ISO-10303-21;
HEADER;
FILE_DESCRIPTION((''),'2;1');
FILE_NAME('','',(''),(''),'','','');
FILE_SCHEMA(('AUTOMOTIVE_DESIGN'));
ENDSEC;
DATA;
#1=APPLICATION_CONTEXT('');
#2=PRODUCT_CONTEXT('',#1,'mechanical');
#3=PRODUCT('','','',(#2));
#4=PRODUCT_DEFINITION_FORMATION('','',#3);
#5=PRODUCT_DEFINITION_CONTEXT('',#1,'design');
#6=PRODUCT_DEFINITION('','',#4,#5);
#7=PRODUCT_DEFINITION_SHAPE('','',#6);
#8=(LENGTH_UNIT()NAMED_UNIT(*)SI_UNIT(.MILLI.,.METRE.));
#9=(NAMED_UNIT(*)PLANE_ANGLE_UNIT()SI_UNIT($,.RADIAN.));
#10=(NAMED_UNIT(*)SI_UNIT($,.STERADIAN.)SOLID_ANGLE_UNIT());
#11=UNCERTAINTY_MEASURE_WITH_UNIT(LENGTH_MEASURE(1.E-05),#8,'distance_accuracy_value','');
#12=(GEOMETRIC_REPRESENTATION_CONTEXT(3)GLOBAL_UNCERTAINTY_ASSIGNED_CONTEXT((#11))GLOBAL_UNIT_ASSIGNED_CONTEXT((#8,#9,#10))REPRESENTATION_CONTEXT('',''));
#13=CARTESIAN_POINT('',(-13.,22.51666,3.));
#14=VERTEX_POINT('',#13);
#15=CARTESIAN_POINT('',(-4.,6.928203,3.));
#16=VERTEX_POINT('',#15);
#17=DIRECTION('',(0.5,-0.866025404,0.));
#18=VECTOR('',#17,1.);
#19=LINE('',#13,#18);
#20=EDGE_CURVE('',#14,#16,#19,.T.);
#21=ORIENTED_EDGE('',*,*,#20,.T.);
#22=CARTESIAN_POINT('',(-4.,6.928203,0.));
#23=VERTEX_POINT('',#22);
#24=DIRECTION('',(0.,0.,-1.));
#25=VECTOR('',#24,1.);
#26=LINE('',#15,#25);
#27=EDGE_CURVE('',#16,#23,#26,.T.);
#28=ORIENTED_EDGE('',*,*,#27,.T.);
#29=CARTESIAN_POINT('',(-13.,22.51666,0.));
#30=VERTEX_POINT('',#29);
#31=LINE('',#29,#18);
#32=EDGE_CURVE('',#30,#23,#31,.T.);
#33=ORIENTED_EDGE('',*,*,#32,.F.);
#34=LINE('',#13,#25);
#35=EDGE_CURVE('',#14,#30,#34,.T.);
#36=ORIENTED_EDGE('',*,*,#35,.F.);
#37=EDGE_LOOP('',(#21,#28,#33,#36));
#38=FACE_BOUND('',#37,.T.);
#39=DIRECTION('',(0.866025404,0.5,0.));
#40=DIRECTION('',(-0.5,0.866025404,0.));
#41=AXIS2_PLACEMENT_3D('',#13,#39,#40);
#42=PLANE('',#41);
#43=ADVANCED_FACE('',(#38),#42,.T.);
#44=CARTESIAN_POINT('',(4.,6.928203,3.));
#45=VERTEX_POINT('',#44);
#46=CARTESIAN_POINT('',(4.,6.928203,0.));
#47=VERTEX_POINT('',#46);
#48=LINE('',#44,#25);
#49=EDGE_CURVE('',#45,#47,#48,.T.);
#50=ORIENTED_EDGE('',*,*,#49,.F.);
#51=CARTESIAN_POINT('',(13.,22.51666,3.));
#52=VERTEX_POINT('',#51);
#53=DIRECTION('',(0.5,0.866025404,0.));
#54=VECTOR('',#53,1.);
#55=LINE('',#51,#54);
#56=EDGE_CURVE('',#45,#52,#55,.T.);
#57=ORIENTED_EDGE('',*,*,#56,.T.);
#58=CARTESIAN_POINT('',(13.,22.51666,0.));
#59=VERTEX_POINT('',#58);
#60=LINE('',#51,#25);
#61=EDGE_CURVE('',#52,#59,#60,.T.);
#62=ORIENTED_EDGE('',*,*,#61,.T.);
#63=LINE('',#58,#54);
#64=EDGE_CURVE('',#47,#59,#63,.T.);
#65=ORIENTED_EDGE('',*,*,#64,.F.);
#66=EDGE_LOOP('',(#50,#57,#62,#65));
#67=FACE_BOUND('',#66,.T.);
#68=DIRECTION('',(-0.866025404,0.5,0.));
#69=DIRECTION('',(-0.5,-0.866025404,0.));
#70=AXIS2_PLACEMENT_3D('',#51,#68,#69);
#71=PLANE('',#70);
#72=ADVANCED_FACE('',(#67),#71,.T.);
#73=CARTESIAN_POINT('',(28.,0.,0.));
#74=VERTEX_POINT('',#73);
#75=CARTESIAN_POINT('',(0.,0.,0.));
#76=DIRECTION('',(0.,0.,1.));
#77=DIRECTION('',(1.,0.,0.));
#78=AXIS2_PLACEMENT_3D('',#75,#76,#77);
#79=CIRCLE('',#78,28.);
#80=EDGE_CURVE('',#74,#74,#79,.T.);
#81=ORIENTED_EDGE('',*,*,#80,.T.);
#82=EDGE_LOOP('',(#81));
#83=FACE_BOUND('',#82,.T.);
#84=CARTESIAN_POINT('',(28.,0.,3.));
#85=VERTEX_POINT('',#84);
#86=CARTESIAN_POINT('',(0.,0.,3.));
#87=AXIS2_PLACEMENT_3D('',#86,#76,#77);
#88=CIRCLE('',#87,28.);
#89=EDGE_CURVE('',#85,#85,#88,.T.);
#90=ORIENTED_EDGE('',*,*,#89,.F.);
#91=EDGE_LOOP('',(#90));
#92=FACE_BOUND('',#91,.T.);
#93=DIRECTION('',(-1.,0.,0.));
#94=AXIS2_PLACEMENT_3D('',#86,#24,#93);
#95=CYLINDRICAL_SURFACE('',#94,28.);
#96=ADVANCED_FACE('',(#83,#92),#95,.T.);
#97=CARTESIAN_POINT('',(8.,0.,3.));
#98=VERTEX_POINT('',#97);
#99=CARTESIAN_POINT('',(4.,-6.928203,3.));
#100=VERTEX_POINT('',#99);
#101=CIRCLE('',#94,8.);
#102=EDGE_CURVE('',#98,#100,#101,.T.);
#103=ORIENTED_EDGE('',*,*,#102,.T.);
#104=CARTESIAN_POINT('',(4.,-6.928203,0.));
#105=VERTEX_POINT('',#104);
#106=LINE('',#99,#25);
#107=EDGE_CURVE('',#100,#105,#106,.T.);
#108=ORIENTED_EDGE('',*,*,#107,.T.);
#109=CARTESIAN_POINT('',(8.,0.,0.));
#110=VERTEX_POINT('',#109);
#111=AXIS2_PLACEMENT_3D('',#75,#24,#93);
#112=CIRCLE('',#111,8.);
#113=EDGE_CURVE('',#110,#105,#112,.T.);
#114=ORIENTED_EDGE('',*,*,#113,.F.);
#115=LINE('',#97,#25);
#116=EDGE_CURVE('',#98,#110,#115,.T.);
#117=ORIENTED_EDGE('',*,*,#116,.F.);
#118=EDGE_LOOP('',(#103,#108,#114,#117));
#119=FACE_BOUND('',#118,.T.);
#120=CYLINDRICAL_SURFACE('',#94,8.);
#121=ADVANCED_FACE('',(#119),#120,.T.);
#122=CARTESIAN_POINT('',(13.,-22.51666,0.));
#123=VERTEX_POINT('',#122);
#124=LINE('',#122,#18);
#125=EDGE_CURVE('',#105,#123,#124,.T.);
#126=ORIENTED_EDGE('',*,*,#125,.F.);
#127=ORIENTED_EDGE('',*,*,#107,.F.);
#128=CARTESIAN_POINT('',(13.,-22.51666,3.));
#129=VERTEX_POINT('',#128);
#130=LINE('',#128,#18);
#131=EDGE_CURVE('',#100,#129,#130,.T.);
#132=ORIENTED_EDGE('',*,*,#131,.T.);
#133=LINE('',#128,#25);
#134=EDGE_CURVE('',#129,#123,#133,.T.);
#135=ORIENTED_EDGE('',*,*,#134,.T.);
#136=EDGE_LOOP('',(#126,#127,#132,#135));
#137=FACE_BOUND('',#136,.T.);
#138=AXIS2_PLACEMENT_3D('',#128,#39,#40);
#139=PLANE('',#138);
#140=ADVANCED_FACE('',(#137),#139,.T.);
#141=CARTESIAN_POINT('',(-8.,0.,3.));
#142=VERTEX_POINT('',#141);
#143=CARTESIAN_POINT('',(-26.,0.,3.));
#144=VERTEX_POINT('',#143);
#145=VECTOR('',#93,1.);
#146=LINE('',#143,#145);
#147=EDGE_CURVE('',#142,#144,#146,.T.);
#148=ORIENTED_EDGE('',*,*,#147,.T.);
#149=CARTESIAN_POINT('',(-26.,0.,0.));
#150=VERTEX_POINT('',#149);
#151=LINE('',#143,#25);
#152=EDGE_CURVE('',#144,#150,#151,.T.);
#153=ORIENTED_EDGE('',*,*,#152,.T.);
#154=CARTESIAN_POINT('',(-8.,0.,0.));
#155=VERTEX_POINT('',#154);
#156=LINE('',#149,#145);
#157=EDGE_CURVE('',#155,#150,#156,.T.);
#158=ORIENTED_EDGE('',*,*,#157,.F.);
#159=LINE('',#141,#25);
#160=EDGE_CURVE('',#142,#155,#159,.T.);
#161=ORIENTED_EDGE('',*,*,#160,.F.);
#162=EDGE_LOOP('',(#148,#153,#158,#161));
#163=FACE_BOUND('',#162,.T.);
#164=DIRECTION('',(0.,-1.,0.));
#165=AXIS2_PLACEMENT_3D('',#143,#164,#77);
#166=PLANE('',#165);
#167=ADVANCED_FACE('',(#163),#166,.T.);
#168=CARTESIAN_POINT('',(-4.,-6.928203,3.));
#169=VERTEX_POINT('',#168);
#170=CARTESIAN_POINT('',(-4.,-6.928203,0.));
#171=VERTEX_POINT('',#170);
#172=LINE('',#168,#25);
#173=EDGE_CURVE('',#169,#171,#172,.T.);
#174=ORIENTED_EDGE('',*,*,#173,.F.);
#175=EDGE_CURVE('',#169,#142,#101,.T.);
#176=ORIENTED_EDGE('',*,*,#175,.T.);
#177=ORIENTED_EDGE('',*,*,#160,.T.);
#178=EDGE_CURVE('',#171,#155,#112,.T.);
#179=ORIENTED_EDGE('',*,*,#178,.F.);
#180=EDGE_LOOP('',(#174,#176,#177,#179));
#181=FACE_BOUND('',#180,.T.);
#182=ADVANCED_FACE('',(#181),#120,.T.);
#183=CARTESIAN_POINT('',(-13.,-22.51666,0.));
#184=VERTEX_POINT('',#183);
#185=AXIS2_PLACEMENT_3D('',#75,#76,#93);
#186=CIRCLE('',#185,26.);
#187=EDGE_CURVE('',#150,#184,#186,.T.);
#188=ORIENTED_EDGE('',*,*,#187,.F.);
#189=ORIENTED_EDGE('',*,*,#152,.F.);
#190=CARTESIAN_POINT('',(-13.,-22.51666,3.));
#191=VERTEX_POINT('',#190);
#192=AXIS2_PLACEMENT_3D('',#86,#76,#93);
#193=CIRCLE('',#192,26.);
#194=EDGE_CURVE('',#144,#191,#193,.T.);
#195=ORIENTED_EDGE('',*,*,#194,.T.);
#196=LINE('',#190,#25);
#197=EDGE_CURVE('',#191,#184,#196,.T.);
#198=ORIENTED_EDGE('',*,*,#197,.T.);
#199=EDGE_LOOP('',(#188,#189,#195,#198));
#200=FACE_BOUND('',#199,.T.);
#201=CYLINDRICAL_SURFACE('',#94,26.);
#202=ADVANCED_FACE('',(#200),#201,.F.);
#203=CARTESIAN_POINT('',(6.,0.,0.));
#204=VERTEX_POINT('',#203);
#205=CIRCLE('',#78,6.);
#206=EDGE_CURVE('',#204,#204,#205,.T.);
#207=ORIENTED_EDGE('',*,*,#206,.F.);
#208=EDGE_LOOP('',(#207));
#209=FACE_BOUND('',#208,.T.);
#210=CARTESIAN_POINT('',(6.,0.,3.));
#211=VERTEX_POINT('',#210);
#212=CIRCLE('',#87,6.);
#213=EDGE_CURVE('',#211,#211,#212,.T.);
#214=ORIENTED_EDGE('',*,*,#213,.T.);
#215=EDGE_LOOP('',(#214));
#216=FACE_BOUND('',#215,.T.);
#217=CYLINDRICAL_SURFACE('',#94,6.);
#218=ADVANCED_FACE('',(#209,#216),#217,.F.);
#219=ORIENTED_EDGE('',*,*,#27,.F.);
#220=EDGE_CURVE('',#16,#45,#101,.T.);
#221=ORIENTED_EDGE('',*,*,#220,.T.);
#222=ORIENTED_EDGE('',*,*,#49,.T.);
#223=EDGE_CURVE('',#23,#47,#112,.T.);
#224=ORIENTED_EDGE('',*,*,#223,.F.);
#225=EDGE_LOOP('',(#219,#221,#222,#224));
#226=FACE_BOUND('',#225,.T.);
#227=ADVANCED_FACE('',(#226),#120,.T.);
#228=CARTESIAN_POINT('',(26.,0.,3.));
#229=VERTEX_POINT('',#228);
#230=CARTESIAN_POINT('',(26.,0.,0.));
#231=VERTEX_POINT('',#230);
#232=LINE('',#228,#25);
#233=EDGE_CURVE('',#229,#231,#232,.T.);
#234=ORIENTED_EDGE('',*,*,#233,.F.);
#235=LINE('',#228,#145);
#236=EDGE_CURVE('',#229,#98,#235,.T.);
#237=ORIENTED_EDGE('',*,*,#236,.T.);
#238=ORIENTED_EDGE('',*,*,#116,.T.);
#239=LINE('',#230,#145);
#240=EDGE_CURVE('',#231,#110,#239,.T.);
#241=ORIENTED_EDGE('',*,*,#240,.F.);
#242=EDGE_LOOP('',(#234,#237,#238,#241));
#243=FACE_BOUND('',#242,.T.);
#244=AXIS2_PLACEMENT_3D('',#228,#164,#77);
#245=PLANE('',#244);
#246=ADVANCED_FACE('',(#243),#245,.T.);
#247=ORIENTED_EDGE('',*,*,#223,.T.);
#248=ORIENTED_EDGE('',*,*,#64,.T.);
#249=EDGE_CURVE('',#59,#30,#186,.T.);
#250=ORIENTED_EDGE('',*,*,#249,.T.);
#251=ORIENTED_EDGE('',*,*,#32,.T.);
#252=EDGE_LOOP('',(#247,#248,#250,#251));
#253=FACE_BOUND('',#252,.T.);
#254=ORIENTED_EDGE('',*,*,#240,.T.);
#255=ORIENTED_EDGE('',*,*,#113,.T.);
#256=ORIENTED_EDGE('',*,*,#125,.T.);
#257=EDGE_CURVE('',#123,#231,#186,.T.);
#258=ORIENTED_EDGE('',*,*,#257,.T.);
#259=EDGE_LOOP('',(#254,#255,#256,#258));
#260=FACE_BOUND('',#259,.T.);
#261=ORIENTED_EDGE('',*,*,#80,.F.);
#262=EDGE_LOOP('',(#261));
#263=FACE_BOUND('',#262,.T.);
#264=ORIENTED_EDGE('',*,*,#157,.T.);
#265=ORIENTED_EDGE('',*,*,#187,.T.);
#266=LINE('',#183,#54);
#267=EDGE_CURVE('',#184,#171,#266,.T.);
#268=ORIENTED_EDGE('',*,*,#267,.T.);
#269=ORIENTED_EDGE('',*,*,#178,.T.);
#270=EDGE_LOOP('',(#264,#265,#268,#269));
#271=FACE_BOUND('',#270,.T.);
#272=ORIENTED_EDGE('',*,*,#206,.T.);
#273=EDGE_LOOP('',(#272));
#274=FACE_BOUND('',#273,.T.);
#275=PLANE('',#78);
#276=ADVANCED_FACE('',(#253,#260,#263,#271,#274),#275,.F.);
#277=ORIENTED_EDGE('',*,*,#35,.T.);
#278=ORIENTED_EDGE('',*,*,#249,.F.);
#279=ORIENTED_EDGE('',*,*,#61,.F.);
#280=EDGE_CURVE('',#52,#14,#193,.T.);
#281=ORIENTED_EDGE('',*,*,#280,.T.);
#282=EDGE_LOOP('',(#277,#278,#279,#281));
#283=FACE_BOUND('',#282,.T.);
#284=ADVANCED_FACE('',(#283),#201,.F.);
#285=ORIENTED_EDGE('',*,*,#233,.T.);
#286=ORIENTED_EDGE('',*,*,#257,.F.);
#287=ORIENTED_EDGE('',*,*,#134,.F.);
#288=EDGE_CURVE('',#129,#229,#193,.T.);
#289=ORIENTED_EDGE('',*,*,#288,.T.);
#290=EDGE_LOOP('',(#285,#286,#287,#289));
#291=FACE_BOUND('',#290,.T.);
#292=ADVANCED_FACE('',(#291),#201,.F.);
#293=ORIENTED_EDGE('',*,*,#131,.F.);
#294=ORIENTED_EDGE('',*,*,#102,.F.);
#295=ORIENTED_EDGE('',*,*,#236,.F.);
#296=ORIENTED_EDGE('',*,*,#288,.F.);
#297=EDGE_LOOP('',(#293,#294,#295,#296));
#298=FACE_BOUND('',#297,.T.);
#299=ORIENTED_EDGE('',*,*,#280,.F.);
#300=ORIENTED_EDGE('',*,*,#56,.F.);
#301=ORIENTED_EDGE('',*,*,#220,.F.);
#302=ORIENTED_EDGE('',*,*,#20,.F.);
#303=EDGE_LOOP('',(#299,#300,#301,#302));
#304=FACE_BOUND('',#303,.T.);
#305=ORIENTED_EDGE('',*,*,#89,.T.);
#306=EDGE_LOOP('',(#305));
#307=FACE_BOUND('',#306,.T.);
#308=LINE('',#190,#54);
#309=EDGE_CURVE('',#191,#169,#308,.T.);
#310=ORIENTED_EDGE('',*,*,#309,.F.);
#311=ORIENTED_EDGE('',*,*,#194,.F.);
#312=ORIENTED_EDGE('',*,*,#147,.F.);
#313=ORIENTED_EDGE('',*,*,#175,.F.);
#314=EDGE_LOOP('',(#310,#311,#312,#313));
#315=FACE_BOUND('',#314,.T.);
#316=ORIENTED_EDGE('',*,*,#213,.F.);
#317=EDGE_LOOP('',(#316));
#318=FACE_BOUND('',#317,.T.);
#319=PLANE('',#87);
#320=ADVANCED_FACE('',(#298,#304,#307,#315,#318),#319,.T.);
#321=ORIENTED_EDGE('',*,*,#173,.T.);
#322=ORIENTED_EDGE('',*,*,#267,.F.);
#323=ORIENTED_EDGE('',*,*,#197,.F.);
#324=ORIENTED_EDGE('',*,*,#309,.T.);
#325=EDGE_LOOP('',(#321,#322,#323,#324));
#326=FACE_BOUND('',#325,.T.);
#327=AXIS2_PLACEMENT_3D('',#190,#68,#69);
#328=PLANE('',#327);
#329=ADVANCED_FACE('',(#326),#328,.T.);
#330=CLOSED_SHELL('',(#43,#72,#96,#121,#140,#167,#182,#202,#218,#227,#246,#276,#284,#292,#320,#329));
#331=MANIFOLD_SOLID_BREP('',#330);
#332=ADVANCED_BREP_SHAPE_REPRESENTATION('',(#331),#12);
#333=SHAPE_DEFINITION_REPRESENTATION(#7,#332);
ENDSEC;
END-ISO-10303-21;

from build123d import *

# Parameters (mm, degrees)
SKETCH_1_R      = 28
SKETCH_1_R_2    = 6
EXTRUDE_1_DEPTH = 3


with BuildPart() as part:
    # 草图1 → 凸台-拉伸1 (new body)
    with BuildSketch(Plane.XY):
        Circle(SKETCH_1_R)
        Circle(SKETCH_1_R_2, mode=Mode.SUBTRACT)
        with BuildLine():
            Line((-13, 22.516660498), (-4, 6.92820323))
            ThreePointArc((-4, 6.92820323), (0, 8), (4, 6.92820323))
            Line((4, 6.92820323), (13, 22.516660498))
            ThreePointArc((13, 22.516660498), (0, 26), (-13, 22.516660498))
        make_face(mode=Mode.SUBTRACT)
        with BuildLine():
            Line((-13, -22.516660498), (-4, -6.92820323))
            ThreePointArc((-4, -6.92820323), (-6.92820323, -4), (-8, 0))
            Line((-8, 0), (-26, 0))
            ThreePointArc((-26, 0), (-22.516660498, -13), (-13, -22.516660498))
        make_face(mode=Mode.SUBTRACT)
        with BuildLine():
            Line((13, -22.516660498), (4, -6.92820323))
            ThreePointArc((4, -6.92820323), (6.92820323, -4), (8, 0))
            Line((8, 0), (26, 0))
            ThreePointArc((26, 0), (22.516660498, -13), (13, -22.516660498))
        make_face(mode=Mode.SUBTRACT)
    extrude(amount=EXTRUDE_1_DEPTH)


solid = part.part
